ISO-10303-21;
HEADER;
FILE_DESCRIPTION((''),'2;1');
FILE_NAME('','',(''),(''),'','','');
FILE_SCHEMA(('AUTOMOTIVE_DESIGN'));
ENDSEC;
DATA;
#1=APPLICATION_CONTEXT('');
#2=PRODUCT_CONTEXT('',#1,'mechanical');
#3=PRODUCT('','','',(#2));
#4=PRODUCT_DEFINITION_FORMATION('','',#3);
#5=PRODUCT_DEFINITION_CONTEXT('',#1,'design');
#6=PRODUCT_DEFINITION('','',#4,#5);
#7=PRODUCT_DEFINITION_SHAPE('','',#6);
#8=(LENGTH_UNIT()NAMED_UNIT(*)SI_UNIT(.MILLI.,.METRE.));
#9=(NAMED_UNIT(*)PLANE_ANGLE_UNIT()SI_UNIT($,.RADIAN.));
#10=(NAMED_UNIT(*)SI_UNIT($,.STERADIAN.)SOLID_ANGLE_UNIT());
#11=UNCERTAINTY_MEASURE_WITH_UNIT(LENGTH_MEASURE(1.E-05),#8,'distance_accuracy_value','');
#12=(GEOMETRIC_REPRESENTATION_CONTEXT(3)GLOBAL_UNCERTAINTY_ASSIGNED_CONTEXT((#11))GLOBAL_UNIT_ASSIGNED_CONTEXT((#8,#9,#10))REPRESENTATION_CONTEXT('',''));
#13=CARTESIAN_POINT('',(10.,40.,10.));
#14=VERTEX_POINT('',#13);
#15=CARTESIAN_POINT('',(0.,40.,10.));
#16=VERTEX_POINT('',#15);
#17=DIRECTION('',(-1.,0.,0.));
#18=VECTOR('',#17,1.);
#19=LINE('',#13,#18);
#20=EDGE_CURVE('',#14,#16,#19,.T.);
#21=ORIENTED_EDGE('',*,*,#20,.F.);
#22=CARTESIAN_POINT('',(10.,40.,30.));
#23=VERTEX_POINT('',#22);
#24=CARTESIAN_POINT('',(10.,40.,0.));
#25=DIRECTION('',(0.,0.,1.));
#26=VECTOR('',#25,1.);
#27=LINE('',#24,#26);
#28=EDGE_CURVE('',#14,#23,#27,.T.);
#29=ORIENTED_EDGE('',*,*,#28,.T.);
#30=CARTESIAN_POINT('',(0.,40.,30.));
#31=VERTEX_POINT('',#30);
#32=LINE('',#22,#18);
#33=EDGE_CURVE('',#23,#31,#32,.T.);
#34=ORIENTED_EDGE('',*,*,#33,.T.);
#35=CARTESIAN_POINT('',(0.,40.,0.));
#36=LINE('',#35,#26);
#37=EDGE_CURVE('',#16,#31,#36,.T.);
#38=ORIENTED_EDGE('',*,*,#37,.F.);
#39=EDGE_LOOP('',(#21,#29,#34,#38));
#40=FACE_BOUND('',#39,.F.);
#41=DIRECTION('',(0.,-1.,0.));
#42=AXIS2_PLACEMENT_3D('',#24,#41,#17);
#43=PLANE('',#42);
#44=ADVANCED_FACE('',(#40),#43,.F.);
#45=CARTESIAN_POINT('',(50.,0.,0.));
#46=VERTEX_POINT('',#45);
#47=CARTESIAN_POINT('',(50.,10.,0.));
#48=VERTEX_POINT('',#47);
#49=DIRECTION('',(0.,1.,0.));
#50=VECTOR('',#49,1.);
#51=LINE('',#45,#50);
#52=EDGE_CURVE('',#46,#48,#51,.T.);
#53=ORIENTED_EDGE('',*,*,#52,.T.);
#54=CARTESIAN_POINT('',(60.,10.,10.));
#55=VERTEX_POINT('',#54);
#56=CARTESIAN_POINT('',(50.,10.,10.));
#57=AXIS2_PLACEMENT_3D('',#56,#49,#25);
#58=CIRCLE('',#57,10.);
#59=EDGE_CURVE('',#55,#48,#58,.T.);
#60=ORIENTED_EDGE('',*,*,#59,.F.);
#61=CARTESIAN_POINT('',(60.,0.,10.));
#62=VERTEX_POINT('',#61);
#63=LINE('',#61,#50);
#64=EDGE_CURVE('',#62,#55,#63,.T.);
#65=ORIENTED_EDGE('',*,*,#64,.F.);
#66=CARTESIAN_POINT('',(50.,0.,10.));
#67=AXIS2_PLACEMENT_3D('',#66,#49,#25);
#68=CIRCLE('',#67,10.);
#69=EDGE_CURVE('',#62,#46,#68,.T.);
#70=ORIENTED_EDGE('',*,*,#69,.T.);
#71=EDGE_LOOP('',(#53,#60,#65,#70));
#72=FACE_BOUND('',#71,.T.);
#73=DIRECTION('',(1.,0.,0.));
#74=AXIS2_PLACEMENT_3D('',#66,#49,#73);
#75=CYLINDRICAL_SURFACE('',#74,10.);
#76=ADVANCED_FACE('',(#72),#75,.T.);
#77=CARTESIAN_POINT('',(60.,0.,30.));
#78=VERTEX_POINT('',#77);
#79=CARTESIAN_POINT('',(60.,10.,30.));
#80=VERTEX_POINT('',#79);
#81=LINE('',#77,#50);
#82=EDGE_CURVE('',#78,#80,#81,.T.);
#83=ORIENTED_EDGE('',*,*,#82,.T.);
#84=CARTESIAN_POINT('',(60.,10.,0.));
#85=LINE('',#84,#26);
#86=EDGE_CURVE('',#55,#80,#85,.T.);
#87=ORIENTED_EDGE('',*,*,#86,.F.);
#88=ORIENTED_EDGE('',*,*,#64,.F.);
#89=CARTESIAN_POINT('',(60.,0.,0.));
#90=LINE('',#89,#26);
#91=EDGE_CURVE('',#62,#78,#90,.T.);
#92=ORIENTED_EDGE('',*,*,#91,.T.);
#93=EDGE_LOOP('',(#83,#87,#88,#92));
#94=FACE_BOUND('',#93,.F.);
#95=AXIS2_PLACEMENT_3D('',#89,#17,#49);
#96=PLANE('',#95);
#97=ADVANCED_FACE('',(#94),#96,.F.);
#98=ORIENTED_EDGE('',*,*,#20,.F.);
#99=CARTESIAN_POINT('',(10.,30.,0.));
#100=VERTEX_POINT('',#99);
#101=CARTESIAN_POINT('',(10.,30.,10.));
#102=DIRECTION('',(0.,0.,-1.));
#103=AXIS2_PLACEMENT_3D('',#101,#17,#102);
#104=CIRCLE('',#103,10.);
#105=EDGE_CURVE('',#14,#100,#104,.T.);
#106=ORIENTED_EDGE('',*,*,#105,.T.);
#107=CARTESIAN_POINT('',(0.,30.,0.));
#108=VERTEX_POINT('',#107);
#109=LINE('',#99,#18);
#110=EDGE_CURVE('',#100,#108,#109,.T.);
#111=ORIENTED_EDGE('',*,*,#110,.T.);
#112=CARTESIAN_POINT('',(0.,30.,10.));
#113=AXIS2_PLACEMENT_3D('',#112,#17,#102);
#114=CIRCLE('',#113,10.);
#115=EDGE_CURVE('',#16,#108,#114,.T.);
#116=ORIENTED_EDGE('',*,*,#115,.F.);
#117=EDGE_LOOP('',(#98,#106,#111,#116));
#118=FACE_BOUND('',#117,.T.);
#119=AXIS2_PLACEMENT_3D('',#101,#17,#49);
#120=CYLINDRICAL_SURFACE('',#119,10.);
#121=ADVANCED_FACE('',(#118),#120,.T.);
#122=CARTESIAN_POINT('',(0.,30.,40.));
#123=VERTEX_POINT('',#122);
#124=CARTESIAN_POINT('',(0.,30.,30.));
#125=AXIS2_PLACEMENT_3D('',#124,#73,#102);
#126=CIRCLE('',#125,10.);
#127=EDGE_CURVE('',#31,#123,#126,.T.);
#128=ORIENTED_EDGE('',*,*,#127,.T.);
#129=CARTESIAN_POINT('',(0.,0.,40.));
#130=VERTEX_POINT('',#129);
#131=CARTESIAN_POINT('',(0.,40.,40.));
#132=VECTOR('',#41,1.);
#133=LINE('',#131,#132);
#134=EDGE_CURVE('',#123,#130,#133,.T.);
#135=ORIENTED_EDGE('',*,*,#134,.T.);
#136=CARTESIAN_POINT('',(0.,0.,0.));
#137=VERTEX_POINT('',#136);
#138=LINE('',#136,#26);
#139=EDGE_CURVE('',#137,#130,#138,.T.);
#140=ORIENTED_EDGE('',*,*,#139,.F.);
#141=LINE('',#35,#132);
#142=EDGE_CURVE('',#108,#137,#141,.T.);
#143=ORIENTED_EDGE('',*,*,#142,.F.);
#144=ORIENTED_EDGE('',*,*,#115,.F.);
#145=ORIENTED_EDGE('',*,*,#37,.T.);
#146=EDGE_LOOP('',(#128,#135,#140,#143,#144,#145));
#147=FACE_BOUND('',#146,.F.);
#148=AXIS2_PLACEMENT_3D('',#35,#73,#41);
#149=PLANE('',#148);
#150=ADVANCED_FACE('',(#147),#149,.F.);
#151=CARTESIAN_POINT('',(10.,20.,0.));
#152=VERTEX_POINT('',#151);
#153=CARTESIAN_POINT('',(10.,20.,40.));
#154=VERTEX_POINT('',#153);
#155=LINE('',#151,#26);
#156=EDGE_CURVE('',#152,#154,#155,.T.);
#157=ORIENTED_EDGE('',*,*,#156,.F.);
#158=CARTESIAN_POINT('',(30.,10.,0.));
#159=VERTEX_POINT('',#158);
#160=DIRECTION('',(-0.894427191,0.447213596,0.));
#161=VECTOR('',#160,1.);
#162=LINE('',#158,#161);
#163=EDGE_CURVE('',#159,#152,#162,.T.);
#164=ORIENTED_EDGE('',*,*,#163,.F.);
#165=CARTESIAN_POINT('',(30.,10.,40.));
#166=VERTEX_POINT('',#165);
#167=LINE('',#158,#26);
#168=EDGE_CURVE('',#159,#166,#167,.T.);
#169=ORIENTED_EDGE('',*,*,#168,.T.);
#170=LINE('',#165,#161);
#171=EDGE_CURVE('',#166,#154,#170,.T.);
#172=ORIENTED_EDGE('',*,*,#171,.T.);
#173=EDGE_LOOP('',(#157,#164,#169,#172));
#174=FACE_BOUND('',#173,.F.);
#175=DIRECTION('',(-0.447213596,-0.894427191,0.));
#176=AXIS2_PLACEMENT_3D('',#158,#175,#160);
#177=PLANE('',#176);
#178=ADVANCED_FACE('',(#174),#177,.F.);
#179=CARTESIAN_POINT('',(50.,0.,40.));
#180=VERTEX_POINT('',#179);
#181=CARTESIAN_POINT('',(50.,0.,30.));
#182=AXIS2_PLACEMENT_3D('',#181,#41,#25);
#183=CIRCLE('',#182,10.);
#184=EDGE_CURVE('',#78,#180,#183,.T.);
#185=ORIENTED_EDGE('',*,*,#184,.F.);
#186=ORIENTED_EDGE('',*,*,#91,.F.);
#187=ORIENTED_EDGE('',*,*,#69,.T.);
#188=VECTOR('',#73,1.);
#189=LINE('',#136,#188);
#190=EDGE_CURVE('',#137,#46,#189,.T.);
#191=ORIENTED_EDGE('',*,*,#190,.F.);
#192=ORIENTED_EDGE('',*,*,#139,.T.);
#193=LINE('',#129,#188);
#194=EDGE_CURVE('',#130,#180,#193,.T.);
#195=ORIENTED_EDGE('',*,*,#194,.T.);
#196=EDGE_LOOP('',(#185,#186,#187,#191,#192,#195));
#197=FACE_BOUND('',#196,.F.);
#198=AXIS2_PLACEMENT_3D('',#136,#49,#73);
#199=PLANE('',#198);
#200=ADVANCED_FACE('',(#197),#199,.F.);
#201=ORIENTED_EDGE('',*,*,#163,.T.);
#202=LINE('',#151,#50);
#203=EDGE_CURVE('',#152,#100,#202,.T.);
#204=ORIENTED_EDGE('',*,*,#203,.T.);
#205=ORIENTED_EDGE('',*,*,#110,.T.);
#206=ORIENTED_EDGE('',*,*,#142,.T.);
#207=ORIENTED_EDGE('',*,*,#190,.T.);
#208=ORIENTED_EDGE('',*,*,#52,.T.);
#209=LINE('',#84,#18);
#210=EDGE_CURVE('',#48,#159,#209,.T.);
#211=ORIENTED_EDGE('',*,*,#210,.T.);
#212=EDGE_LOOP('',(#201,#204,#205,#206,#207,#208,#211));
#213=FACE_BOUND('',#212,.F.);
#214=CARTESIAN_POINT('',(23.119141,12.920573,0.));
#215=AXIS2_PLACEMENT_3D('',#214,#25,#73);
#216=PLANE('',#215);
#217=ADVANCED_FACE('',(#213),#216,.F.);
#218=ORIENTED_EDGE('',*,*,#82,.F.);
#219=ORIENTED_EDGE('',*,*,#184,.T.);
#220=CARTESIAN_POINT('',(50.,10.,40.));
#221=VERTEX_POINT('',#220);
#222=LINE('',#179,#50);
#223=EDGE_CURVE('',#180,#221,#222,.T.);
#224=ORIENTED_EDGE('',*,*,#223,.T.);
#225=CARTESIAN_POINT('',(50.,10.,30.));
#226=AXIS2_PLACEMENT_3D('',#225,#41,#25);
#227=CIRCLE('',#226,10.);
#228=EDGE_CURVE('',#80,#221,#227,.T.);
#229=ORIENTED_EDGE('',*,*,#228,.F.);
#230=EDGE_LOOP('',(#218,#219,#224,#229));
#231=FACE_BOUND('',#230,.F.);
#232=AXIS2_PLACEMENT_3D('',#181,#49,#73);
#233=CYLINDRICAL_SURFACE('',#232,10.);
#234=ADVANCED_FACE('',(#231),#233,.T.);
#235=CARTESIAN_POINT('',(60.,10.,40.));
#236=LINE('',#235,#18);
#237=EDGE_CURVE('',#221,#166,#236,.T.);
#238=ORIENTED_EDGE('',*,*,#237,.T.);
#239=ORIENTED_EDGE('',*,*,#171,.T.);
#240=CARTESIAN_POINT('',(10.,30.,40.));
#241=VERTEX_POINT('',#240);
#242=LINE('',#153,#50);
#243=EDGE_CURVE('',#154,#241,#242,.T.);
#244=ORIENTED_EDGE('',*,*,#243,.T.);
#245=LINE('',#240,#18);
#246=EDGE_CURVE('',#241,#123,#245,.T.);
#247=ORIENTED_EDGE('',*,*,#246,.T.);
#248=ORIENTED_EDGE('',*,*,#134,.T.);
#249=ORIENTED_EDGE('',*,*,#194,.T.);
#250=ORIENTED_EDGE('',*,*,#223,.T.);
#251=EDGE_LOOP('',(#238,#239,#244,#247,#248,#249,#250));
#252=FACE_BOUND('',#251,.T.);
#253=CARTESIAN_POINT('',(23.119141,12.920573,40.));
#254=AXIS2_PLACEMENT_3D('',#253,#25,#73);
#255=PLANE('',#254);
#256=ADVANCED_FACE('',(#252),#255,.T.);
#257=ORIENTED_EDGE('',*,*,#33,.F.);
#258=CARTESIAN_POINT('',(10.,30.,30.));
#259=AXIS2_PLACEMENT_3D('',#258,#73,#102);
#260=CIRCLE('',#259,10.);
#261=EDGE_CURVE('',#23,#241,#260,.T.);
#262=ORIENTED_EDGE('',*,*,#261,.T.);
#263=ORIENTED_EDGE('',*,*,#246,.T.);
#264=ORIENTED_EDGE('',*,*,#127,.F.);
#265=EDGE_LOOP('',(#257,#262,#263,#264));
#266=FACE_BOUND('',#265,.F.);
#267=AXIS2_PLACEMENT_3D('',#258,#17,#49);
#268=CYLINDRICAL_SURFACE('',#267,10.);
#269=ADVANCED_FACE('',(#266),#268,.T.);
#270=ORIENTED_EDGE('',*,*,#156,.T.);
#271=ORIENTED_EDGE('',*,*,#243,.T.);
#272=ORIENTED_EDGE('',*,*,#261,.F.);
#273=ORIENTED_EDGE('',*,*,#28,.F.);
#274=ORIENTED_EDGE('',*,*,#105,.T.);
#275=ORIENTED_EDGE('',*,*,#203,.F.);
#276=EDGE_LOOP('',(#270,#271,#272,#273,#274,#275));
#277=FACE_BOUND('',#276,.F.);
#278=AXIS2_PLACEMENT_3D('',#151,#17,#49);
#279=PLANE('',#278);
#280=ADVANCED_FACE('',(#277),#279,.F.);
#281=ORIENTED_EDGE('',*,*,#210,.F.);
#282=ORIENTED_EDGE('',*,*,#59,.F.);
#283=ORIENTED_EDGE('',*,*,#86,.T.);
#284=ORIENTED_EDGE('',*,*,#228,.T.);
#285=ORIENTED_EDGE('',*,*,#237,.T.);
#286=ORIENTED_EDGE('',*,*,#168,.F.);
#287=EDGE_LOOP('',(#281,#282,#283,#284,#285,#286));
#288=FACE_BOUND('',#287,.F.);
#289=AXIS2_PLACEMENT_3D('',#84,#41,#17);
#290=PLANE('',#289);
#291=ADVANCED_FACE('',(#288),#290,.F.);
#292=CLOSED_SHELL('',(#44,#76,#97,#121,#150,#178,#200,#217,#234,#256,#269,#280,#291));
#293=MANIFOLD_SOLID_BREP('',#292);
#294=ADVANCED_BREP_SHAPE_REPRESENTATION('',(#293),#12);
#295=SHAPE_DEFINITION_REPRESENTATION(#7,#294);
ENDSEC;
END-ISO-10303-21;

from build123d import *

# Parameters (mm, degrees)
F1_DEPTH = 40
F2_R     = 10


with BuildPart() as f1:
    # F0 (on Top) → F1 (new body)
    with BuildSketch(Plane.XY):
        Polygon((0, 40), (0, 0), (60, 0), (60, 10), (30, 10), (10, 20), (10, 40), align=None)
    extrude(amount=F1_DEPTH)

    # F2
    f2_edges = [f1.edges().sort_by_distance(p)[0] for p in [
        (5, 40, 40),
        (5, 40, 0),
        (60, 5, 40),
        (60, 5, 0),
    ]]
    fillet(f2_edges, radius=F2_R)


solid = f1.part
